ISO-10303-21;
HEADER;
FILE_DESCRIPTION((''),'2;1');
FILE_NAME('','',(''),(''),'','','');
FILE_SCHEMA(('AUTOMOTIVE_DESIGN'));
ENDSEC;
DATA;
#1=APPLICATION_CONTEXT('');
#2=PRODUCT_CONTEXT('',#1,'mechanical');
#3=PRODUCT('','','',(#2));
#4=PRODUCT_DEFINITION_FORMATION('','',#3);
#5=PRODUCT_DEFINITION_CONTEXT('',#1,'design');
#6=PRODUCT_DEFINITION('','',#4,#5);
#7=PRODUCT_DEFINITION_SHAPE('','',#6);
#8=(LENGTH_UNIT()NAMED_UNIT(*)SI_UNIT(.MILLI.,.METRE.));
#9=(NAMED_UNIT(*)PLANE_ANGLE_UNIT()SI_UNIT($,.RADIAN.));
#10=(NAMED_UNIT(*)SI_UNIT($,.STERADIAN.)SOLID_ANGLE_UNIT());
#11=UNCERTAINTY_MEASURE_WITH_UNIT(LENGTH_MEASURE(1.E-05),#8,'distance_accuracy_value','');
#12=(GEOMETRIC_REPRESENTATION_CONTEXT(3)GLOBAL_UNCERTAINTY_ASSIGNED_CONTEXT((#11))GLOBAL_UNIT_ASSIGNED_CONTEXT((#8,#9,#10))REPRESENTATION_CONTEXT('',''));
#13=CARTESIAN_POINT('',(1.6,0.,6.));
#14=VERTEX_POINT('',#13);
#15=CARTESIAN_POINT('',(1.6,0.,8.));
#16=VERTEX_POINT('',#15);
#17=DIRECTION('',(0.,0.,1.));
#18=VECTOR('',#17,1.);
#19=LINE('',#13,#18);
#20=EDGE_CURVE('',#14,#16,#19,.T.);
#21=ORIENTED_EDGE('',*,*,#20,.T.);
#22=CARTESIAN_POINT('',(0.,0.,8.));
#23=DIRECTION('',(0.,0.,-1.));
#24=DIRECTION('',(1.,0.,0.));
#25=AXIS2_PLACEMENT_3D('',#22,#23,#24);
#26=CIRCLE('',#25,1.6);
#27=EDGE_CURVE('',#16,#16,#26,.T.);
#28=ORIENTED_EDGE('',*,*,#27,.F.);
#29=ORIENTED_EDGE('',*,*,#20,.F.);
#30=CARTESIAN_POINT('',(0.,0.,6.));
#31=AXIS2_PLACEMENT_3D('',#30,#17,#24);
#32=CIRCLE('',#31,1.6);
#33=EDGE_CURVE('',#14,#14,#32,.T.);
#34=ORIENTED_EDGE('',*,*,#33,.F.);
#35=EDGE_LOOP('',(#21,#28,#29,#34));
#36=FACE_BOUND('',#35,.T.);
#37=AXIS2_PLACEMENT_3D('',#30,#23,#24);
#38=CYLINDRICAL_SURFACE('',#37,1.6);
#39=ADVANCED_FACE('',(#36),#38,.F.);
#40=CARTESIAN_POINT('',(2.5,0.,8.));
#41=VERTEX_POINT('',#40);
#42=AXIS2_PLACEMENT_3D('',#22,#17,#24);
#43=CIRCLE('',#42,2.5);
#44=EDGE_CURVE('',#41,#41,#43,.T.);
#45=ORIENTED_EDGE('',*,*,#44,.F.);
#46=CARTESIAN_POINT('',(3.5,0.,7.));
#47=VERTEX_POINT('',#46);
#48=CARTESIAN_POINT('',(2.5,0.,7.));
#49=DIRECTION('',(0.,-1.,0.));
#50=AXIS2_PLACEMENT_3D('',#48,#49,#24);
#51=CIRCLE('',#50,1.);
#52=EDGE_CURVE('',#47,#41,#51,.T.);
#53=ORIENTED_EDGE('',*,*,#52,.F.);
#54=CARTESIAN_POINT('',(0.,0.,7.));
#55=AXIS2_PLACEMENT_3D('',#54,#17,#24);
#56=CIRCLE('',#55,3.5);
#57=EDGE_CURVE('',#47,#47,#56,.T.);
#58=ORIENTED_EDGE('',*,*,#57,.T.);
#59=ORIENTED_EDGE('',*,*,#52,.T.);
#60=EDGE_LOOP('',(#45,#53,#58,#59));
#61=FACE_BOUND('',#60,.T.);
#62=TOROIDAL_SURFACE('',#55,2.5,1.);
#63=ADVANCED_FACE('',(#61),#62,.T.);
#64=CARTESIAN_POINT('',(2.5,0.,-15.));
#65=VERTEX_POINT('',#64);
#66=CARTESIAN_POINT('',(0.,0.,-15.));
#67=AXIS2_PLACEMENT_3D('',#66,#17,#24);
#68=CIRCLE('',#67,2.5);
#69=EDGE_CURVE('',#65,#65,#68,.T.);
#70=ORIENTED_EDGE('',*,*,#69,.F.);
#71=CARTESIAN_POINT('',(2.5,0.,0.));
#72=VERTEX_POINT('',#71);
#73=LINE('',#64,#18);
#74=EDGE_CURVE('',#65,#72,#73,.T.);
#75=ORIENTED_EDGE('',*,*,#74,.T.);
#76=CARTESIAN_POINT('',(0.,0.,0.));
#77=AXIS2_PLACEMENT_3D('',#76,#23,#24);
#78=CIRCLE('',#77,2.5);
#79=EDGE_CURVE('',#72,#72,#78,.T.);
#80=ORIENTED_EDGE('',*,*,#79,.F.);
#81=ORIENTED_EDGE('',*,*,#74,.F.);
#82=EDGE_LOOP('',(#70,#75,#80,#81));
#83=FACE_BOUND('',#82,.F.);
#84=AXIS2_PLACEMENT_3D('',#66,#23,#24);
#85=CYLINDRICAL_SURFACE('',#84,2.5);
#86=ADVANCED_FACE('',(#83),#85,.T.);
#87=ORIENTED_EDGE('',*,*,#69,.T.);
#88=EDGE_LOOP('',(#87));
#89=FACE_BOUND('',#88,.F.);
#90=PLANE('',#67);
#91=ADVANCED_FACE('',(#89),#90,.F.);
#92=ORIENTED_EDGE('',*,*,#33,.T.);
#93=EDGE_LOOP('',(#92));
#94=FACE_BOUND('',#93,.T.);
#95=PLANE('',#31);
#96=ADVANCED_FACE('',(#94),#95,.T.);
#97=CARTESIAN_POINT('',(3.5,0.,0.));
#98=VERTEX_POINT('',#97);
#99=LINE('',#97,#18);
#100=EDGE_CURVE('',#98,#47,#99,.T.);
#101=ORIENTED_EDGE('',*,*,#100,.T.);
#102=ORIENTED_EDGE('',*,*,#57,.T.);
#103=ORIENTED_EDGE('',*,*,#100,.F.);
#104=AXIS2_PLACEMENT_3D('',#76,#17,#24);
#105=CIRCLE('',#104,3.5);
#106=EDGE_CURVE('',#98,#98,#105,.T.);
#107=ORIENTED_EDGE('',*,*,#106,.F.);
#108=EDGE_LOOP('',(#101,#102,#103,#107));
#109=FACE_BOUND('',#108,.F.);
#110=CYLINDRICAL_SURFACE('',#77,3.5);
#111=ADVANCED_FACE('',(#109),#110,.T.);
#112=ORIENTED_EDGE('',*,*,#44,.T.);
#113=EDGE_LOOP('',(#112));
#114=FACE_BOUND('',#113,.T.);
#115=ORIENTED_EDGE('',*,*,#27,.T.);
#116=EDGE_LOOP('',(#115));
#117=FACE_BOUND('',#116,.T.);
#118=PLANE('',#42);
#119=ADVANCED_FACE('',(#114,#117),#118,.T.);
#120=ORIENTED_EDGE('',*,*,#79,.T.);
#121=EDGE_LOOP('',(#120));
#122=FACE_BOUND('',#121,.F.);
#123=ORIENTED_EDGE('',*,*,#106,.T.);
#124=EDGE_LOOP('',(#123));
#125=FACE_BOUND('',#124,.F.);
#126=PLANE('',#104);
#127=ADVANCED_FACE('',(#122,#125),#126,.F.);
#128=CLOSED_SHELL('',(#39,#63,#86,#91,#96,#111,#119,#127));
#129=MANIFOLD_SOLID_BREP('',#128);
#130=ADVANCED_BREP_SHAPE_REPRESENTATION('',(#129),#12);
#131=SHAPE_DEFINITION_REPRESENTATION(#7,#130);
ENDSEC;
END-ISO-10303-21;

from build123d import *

# Parameters (mm, degrees)
CYLINDER001_R     = 1.6
CYLINDER001_DEPTH = 4
CYLINDER002_R     = 2.5
CYLINDER002_DEPTH = 16
CYLINDER_R        = 3.5
CYLINDER_DEPTH    = 8
FILLET_R          = 1


with BuildPart() as hole:
    # Cylinder001 → Cylinder001 (new body)
    with BuildSketch(Plane.XY.offset(6)):
        Circle(CYLINDER001_R)
    extrude(amount=CYLINDER001_DEPTH)


with BuildPart() as thread:
    # Cylinder002 → Cylinder002 (new body)
    with BuildSketch(Plane.XY.offset(-15)):
        Circle(CYLINDER002_R)
    extrude(amount=CYLINDER002_DEPTH)


with BuildPart() as rca_socket:
    # Cylinder → Cylinder (new body)
    with BuildSketch(Plane.XY):
        Circle(CYLINDER_R)
    extrude(amount=CYLINDER_DEPTH)

    # Fusion: union thread
    add(thread.part)

    # Cut: cut hole
    add(hole.part, mode=Mode.SUBTRACT)

    # Fillet
    fillet_edges = [rca_socket.edges().sort_by_distance(p)[0] for p in [
        (-3.5, 0, 8),
    ]]
    fillet(fillet_edges, radius=FILLET_R)


solid = rca_socket.part
